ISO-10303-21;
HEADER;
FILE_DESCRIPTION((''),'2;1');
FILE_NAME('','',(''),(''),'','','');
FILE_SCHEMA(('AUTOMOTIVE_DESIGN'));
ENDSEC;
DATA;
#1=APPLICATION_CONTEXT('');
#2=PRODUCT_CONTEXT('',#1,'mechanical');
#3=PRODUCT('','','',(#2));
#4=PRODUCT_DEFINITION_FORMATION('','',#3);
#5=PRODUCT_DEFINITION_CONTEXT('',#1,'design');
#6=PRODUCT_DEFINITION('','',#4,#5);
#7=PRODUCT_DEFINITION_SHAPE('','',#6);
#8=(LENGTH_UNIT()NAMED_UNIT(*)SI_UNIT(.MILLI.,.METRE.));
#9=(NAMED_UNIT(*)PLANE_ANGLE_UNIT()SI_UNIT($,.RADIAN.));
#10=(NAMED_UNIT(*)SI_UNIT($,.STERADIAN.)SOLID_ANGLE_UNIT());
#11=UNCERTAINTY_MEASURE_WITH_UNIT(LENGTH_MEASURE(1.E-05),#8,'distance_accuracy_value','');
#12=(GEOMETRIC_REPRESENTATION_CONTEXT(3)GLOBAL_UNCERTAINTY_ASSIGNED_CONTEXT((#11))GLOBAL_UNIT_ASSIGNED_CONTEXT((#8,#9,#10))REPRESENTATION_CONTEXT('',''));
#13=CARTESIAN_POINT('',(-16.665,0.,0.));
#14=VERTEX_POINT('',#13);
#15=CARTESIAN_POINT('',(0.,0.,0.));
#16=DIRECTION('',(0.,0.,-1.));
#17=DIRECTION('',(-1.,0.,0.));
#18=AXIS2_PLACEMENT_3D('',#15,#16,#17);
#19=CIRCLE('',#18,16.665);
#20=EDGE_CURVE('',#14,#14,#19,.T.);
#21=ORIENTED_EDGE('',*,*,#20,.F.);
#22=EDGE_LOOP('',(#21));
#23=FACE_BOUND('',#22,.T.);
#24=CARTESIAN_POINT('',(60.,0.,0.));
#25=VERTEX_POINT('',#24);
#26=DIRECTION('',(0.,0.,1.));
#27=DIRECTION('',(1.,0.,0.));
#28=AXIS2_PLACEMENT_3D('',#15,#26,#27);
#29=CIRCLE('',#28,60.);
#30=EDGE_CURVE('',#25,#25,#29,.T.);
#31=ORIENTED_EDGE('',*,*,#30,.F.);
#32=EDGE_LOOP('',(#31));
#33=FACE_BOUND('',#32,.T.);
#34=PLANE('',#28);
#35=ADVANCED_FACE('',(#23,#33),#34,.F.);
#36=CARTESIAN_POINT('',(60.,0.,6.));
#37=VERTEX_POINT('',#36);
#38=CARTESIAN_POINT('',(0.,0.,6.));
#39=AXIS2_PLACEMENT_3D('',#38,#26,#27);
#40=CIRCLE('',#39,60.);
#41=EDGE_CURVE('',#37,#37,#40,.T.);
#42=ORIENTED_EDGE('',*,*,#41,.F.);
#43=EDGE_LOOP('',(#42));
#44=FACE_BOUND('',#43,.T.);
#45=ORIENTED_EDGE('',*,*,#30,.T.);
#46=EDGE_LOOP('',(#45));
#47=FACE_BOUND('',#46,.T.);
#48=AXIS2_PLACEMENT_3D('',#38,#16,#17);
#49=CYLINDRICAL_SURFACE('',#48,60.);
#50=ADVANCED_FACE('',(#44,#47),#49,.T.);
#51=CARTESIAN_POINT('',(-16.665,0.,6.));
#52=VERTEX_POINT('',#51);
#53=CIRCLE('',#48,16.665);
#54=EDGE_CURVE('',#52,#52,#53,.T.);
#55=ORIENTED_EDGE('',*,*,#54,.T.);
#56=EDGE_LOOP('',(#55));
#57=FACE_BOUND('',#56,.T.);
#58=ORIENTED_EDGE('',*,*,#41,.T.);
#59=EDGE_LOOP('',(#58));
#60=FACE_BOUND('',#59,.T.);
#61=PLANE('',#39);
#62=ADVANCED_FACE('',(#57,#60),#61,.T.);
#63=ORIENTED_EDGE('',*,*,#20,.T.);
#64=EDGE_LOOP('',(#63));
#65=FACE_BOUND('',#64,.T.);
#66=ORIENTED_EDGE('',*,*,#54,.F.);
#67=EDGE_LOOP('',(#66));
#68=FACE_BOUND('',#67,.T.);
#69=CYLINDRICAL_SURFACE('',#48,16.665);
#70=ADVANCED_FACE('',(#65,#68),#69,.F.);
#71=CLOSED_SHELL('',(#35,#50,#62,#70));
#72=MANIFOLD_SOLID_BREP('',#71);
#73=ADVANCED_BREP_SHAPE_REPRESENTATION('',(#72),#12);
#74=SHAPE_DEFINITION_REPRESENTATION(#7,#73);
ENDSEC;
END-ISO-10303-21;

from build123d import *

# Parameters (mm, degrees)
SKETCH1_R           = 60
BOSS_EXTRUDE1_DEPTH = 6
SKETCH2_R           = 16.665
CUT_EXTRUDE1_DEPTH  = 7


with BuildPart() as part:
    # Sketch1 → Boss-Extrude1 (new body)
    with BuildSketch(Plane.XY):
        Circle(SKETCH1_R)
    extrude(amount=BOSS_EXTRUDE1_DEPTH)

    # Sketch2 → Cut-Extrude1 (cut, through all)
    with BuildSketch(Plane(origin=(0, 0, 0), x_dir=(-1, 0, 0), z_dir=(0, 0, -1))):
        Circle(SKETCH2_R)
    extrude(amount=-CUT_EXTRUDE1_DEPTH, mode=Mode.SUBTRACT)


solid = part.part
